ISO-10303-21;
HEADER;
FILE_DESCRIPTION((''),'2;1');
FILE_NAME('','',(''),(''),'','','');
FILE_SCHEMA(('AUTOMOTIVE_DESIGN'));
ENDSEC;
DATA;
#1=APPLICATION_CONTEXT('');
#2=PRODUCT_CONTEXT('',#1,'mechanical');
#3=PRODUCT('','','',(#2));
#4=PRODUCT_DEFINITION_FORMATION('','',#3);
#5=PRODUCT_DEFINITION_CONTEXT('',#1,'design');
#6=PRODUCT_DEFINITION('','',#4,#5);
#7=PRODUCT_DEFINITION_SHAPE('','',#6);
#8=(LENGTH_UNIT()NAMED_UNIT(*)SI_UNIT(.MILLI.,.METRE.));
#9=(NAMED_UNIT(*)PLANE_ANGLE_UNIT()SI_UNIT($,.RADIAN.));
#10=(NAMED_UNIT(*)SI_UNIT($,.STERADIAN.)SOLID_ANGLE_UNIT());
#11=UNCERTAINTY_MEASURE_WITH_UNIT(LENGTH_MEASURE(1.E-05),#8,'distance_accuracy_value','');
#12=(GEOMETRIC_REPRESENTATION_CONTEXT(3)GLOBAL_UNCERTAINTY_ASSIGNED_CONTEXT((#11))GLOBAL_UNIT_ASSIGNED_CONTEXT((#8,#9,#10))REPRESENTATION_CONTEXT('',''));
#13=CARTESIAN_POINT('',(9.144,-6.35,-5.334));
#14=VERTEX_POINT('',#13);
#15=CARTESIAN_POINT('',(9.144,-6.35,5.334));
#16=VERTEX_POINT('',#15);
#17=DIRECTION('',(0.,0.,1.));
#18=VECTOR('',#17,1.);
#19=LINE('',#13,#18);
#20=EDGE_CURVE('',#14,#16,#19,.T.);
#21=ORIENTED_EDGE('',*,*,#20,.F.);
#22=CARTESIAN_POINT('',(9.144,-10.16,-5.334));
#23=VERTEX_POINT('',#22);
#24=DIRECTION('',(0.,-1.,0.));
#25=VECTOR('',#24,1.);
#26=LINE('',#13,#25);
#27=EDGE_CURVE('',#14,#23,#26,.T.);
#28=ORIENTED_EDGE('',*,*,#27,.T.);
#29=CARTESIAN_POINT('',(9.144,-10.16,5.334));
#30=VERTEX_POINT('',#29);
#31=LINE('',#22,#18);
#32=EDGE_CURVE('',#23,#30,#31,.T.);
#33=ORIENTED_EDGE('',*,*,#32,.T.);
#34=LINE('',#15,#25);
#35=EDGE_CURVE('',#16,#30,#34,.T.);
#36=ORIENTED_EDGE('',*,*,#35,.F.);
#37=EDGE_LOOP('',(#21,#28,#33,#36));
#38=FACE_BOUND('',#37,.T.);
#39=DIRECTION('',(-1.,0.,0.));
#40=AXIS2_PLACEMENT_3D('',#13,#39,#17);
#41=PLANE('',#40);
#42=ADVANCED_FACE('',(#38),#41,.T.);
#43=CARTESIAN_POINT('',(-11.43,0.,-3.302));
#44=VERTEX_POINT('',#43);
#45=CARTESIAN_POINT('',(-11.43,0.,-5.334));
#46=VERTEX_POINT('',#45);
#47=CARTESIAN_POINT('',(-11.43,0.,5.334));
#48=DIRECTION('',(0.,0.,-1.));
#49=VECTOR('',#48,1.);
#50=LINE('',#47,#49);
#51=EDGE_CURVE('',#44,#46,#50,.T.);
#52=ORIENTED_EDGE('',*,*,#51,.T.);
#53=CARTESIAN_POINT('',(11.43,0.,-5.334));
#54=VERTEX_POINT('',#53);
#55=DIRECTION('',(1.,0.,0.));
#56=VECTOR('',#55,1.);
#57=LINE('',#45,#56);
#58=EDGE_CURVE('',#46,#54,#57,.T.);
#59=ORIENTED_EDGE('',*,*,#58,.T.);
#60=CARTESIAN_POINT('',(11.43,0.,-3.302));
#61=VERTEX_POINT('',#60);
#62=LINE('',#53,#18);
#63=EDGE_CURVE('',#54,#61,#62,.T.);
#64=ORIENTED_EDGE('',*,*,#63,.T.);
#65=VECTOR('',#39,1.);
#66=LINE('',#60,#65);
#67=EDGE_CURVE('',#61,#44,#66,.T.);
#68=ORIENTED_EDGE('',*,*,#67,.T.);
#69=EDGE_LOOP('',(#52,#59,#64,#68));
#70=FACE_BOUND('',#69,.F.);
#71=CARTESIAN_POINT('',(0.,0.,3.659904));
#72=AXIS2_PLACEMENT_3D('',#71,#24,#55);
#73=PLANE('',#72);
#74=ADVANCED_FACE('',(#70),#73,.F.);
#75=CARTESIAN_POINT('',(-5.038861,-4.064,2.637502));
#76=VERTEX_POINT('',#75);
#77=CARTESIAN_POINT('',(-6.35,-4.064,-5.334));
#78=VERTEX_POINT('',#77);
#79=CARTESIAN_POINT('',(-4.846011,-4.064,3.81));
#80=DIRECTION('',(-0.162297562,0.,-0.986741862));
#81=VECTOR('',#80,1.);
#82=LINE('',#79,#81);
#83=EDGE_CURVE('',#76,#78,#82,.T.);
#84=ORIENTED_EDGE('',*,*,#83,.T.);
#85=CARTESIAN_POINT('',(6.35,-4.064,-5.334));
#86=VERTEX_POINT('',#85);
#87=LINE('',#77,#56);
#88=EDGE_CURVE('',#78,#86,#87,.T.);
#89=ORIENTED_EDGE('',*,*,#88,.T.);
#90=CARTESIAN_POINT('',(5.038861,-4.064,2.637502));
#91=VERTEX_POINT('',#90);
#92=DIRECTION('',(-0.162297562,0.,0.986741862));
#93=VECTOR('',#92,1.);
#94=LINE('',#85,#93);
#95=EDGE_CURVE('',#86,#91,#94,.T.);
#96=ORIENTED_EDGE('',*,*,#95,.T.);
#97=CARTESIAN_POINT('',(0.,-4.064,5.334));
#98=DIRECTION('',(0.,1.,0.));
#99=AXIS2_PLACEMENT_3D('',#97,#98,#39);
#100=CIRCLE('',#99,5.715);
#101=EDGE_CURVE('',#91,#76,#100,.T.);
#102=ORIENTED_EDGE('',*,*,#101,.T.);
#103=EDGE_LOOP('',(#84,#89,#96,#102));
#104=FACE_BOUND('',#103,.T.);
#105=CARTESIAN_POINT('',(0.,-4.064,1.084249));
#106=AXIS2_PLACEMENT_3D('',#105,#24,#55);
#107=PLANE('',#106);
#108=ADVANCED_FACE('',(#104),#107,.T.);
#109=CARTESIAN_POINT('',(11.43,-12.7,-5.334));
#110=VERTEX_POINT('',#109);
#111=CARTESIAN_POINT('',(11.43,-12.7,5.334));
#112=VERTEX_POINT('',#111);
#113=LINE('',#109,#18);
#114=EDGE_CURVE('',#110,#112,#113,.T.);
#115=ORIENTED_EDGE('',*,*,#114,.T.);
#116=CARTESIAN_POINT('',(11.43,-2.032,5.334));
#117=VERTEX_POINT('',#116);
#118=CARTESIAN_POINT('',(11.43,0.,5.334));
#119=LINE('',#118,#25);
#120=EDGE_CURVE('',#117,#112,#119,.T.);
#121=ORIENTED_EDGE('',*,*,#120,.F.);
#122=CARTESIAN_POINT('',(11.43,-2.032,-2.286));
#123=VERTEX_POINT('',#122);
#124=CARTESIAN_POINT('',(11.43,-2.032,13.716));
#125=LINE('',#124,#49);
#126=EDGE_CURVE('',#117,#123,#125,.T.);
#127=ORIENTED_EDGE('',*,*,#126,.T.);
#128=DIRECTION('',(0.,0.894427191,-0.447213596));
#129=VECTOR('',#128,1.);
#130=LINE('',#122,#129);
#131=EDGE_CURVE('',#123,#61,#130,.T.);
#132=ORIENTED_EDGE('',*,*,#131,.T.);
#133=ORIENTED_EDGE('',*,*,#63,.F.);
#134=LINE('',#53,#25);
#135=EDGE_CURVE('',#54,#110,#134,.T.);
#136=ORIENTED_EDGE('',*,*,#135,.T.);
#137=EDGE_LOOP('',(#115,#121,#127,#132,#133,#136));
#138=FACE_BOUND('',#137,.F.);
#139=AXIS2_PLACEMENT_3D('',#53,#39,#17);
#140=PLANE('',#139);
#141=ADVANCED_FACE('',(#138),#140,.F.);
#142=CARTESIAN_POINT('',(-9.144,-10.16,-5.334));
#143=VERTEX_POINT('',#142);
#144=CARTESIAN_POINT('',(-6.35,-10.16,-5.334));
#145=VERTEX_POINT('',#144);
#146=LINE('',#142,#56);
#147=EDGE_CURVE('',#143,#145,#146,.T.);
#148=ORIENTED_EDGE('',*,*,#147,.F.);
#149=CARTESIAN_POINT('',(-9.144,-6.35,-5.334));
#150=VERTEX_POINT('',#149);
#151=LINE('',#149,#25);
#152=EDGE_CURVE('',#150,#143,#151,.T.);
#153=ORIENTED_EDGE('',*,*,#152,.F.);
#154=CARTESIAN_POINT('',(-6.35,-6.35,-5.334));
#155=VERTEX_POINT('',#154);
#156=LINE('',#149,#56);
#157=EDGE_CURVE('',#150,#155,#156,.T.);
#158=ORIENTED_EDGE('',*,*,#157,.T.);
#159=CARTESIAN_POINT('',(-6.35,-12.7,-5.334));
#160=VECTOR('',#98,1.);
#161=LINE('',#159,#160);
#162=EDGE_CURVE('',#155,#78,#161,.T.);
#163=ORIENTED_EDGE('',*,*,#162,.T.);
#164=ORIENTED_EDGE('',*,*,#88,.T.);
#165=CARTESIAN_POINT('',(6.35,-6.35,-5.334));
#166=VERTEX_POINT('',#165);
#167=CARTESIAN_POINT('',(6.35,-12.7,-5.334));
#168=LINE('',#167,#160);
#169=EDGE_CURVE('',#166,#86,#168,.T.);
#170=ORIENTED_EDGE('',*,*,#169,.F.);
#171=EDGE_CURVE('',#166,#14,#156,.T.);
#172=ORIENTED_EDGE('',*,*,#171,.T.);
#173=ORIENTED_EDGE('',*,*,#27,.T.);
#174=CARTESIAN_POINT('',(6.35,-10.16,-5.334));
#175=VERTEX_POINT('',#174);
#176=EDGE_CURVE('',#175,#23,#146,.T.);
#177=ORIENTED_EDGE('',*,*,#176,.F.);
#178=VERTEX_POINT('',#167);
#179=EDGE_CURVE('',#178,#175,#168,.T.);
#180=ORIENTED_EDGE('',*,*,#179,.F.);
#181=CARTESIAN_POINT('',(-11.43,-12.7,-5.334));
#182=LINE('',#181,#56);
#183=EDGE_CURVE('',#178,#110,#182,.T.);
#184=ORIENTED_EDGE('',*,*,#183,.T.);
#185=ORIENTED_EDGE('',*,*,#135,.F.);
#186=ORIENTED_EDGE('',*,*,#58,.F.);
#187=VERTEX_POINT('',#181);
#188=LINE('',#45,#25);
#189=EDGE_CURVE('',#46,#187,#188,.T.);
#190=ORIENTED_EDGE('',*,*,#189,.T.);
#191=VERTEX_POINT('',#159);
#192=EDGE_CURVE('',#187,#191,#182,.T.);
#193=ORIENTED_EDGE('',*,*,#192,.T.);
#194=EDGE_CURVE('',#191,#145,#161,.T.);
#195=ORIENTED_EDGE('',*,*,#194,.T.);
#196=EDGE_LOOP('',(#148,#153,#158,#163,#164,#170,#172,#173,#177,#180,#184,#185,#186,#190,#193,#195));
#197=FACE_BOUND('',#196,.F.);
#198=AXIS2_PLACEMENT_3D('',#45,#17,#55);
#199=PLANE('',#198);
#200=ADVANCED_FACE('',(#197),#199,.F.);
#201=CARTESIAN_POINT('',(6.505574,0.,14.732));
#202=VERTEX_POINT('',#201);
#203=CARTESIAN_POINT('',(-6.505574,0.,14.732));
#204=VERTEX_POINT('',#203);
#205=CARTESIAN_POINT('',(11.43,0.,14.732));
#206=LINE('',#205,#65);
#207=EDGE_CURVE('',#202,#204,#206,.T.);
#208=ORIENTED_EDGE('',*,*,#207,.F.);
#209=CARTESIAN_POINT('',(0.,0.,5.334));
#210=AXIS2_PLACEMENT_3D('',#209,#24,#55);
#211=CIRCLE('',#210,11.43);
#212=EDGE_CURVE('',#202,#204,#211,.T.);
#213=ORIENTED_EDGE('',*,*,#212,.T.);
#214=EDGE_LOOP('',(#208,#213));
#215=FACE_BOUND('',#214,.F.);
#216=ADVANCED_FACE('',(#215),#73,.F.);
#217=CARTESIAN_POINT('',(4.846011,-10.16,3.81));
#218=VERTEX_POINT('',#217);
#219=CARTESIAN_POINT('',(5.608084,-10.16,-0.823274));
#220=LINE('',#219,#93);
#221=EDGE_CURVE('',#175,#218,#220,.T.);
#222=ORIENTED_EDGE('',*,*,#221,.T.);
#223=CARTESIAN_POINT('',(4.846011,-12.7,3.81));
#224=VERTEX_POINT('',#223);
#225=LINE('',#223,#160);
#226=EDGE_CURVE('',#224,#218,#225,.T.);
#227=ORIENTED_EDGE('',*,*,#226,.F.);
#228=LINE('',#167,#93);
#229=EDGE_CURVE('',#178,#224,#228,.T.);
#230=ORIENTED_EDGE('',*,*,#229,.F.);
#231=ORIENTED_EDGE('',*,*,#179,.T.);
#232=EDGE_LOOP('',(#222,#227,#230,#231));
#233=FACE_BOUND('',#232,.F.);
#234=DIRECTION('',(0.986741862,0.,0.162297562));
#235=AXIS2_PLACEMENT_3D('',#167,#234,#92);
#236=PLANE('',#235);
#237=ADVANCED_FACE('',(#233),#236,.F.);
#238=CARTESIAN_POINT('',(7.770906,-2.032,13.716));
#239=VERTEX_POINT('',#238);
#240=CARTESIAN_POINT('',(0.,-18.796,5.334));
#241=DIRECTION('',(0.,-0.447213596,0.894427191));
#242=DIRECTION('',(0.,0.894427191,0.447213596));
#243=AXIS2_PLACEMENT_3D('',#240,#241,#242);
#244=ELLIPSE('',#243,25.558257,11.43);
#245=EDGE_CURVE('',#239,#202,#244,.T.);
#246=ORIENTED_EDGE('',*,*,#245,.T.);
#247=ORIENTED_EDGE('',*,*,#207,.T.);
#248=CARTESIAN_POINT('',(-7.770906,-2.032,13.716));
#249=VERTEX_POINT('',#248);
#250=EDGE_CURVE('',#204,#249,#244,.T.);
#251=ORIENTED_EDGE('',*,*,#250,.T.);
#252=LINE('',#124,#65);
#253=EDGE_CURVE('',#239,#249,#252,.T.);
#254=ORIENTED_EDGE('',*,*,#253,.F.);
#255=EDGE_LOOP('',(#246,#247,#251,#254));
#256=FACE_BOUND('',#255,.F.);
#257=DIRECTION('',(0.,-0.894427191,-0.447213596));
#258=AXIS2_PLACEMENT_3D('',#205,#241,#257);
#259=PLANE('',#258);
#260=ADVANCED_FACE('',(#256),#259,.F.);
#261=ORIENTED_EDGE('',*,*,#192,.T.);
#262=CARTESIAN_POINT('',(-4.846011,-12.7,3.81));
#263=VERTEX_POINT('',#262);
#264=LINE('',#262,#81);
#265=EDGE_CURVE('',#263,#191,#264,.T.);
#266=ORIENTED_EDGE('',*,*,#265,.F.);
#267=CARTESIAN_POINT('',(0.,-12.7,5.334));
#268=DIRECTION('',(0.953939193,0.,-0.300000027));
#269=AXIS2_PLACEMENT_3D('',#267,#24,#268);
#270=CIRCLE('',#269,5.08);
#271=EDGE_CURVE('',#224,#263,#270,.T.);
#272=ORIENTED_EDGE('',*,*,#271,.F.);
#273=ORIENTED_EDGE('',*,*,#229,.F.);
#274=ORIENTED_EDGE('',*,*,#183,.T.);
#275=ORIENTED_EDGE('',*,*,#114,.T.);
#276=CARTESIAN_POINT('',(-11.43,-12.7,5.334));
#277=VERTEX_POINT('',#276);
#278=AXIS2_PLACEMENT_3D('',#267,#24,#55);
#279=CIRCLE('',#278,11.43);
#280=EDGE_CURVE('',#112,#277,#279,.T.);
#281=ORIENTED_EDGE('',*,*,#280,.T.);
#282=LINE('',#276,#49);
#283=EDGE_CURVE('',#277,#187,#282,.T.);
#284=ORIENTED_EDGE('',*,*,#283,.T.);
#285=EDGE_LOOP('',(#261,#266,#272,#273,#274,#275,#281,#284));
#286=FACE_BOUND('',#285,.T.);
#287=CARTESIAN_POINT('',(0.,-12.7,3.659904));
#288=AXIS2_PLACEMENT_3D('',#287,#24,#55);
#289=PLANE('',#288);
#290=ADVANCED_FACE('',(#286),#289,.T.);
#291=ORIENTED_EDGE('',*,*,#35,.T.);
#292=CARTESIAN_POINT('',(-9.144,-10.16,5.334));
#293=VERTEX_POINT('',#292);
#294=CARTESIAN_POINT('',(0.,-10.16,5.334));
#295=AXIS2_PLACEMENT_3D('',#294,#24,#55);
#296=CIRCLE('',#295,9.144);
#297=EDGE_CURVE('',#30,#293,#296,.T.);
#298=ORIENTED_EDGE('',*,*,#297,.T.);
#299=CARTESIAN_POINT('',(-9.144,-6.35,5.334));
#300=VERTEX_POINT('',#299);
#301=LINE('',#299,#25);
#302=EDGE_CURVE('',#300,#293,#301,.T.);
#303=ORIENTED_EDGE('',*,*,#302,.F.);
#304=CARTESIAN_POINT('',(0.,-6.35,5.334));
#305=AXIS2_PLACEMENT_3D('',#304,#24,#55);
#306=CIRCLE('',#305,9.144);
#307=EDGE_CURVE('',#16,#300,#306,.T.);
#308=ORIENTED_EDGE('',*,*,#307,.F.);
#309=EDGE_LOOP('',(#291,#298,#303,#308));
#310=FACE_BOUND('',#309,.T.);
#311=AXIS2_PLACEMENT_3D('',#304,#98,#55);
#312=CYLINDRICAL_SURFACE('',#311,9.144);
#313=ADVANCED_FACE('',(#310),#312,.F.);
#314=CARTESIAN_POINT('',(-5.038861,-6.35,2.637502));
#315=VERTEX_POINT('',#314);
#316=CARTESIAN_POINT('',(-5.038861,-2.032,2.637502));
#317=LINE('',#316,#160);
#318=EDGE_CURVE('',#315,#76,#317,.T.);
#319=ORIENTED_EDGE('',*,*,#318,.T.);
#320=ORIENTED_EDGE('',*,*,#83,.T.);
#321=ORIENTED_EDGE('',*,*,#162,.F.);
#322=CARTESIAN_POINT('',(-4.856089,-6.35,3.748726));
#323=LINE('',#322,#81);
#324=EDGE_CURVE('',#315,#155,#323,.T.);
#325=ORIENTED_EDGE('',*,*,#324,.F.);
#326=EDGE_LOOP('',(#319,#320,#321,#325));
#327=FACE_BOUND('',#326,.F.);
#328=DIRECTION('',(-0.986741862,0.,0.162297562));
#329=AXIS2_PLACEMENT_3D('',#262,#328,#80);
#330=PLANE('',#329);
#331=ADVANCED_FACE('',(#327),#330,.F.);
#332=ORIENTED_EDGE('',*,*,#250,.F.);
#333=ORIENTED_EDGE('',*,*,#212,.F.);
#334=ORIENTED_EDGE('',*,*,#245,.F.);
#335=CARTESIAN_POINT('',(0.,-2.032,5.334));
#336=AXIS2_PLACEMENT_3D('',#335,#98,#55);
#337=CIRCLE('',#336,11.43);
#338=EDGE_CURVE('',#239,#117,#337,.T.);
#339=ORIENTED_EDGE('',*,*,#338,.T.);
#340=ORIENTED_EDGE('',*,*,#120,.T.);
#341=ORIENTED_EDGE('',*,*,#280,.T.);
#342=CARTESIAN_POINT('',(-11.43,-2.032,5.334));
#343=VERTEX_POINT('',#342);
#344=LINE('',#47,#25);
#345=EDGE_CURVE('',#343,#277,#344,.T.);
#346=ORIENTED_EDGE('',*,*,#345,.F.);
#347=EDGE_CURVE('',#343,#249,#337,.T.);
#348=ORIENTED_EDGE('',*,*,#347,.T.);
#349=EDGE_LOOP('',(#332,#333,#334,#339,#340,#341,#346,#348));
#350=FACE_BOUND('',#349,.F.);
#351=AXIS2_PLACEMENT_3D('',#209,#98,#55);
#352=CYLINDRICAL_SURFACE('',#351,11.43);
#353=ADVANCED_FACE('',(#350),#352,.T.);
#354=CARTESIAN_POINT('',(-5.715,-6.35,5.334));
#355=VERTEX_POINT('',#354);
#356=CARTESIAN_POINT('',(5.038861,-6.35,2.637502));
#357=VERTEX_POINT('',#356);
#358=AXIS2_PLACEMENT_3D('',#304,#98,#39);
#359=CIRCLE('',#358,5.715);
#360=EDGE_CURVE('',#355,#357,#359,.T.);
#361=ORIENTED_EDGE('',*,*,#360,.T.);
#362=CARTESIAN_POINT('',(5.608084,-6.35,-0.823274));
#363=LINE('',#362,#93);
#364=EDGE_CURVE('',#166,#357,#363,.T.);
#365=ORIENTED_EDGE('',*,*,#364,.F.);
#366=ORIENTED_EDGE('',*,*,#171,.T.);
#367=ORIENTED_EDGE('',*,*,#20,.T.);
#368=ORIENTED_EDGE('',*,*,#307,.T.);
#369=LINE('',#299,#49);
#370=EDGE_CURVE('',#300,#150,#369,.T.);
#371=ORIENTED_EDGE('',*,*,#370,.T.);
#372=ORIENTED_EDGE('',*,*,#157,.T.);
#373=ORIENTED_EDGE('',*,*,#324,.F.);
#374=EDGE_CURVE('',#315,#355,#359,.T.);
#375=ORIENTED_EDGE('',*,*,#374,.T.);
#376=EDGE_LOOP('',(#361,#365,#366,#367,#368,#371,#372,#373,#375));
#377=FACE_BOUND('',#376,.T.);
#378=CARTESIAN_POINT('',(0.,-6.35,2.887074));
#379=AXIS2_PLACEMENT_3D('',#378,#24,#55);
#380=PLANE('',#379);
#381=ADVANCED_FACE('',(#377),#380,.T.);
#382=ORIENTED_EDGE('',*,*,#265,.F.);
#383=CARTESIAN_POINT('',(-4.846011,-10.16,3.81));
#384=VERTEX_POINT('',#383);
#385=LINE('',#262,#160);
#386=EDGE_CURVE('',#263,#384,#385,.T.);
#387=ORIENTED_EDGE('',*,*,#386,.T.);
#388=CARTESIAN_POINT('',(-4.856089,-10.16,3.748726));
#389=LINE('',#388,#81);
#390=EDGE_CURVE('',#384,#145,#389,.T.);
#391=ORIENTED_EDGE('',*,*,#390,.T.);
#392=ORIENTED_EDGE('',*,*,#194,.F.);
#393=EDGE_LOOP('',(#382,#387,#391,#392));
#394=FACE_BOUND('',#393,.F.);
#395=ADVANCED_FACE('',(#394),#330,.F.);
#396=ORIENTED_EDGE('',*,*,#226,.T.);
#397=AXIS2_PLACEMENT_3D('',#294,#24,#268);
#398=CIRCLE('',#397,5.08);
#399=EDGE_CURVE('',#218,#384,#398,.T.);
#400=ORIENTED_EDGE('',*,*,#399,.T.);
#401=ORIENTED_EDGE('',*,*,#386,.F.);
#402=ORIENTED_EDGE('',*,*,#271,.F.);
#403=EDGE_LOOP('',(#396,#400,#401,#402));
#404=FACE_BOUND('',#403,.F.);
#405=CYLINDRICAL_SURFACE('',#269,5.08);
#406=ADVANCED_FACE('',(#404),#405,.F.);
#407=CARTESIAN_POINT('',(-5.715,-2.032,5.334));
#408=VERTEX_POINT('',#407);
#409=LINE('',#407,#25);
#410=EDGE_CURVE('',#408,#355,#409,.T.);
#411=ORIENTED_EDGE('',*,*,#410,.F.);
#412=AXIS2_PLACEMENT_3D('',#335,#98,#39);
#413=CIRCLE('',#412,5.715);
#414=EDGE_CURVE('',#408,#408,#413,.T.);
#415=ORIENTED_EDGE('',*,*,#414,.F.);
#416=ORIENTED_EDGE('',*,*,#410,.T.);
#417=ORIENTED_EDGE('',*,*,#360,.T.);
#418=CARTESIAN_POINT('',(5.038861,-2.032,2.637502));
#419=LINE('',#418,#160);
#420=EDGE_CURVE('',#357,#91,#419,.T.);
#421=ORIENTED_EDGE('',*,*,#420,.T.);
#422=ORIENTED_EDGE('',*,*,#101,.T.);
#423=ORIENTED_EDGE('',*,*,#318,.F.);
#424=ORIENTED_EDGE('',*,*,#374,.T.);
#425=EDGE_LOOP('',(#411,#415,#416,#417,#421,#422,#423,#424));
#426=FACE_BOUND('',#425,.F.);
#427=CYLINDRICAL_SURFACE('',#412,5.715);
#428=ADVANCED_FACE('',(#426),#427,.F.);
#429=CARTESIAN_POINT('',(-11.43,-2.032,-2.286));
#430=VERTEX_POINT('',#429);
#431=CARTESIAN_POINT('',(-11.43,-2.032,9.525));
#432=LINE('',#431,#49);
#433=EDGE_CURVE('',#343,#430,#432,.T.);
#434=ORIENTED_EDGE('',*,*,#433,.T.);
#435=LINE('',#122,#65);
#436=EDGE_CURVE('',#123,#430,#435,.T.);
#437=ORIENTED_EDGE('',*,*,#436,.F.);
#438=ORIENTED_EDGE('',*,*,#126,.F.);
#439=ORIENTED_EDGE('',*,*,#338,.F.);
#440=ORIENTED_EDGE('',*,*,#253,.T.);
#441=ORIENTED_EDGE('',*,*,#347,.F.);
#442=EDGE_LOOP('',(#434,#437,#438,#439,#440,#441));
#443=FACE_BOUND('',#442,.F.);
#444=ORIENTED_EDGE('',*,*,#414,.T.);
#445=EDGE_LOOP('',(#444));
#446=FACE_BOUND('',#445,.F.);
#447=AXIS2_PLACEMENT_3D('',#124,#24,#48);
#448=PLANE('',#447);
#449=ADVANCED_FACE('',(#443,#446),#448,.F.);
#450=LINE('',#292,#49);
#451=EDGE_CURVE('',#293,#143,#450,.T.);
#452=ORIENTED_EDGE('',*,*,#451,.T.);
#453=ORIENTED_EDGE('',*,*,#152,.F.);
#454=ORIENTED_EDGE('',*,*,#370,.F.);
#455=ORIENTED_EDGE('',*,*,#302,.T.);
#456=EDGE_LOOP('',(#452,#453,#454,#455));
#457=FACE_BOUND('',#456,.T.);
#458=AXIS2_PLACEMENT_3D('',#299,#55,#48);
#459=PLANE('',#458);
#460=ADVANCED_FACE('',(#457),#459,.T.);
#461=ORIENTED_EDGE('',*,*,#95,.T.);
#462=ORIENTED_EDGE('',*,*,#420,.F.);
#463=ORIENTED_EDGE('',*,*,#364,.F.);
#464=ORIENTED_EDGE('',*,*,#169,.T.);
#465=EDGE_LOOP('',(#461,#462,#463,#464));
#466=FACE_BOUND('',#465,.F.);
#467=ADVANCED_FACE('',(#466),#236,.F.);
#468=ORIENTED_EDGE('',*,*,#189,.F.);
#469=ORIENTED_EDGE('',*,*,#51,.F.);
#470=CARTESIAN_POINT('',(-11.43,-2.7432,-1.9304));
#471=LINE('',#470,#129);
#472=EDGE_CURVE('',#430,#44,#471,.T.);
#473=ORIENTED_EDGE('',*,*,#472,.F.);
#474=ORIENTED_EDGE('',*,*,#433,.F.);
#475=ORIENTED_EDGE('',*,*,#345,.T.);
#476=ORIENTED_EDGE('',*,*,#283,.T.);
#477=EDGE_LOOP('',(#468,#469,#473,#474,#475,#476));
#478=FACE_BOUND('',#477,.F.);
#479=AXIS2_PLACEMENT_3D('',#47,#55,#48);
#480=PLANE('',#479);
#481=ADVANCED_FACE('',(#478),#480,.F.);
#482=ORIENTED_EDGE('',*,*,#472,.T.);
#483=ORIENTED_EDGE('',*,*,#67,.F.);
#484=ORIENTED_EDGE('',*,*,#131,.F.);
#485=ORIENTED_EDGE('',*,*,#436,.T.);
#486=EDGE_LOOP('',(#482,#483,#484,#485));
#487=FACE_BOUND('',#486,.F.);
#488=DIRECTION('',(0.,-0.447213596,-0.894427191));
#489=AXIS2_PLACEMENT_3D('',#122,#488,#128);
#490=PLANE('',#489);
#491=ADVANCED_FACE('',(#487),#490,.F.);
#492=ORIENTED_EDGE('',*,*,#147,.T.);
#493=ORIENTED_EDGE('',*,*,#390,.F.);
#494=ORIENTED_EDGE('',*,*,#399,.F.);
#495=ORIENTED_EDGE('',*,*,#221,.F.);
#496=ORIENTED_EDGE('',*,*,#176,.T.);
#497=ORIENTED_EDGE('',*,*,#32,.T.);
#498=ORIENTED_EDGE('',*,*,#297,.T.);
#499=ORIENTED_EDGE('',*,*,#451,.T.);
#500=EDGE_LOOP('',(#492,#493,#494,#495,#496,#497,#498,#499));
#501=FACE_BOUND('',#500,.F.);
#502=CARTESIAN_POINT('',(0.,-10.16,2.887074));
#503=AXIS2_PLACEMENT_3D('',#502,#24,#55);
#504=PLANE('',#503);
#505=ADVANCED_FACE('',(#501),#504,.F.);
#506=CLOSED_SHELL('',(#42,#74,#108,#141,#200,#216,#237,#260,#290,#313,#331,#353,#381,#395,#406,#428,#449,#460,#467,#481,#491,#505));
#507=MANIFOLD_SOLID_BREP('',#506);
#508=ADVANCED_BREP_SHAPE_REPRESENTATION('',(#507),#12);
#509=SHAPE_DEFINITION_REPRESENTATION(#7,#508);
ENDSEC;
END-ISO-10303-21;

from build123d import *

# Parameters (mm, degrees)
F1_DEPTH  = 12.7
F4_DEPTH  = 3.81
F6_DEPTH  = 8.636
F8_DEPTH  = 25.4
F9_R      = 5.715
F10_DEPTH = 4.318


with BuildPart() as f1:
    # F0 (on Front) → F1 (new body)
    with BuildSketch(Plane.XZ):
        with BuildLine():
            Line((-11.43, -5.334), (11.43, -5.334))
            Line((11.43, -5.334), (11.43, 5.334))
            ThreePointArc((11.43, 5.334), (0, 16.764), (-11.43, 5.334))
            Line((-11.43, 5.334), (-11.43, -5.334))
        make_face()
    extrude(amount=F1_DEPTH)

    # F3 (on offset) → F4 (cut)
    with BuildSketch(Plane.XZ.offset(6.35)):
        with BuildLine():
            Line((-9.144, -5.334), (9.144, -5.334))
            Line((9.144, -5.334), (9.144, 5.334))
            ThreePointArc((9.144, 5.334), (0, 14.478), (-9.144, 5.334))
            Line((-9.144, 5.334), (-9.144, -5.334))
        make_face()
    extrude(amount=F4_DEPTH, mode=Mode.SUBTRACT)

    # F5 (on face) → F6 (cut)
    with BuildSketch(Plane.XZ.offset(12.7)):
        with BuildLine():
            Line((6.35, -5.334), (4.846011, 3.81))
            ThreePointArc((4.846011, 3.81), (0, 10.414), (-4.846011, 3.81))
            Line((-4.846011, 3.81), (-6.35, -5.334))
            Line((-6.35, -5.334), (6.35, -5.334))
        make_face()
    extrude(amount=-F6_DEPTH, mode=Mode.SUBTRACT)

    # F7 (on face) → F8 (cut)
    with BuildSketch(Plane.YZ.offset(11.43)):
        Polygon((-2.032, -2.286), (0, -3.302), (0, 14.732), (-2.032, 13.716), align=None)
    extrude(amount=-F8_DEPTH, mode=Mode.SUBTRACT)

    # F9 (on face) → F10 (cut, through all)
    with BuildSketch(Plane(origin=(0, -2.032, 0), x_dir=(-1, 0, 0), z_dir=(0, 1, 0))):
        with Locations((0, 5.334)):
            Circle(F9_R)
    extrude(amount=-F10_DEPTH, mode=Mode.SUBTRACT)


solid = f1.part
